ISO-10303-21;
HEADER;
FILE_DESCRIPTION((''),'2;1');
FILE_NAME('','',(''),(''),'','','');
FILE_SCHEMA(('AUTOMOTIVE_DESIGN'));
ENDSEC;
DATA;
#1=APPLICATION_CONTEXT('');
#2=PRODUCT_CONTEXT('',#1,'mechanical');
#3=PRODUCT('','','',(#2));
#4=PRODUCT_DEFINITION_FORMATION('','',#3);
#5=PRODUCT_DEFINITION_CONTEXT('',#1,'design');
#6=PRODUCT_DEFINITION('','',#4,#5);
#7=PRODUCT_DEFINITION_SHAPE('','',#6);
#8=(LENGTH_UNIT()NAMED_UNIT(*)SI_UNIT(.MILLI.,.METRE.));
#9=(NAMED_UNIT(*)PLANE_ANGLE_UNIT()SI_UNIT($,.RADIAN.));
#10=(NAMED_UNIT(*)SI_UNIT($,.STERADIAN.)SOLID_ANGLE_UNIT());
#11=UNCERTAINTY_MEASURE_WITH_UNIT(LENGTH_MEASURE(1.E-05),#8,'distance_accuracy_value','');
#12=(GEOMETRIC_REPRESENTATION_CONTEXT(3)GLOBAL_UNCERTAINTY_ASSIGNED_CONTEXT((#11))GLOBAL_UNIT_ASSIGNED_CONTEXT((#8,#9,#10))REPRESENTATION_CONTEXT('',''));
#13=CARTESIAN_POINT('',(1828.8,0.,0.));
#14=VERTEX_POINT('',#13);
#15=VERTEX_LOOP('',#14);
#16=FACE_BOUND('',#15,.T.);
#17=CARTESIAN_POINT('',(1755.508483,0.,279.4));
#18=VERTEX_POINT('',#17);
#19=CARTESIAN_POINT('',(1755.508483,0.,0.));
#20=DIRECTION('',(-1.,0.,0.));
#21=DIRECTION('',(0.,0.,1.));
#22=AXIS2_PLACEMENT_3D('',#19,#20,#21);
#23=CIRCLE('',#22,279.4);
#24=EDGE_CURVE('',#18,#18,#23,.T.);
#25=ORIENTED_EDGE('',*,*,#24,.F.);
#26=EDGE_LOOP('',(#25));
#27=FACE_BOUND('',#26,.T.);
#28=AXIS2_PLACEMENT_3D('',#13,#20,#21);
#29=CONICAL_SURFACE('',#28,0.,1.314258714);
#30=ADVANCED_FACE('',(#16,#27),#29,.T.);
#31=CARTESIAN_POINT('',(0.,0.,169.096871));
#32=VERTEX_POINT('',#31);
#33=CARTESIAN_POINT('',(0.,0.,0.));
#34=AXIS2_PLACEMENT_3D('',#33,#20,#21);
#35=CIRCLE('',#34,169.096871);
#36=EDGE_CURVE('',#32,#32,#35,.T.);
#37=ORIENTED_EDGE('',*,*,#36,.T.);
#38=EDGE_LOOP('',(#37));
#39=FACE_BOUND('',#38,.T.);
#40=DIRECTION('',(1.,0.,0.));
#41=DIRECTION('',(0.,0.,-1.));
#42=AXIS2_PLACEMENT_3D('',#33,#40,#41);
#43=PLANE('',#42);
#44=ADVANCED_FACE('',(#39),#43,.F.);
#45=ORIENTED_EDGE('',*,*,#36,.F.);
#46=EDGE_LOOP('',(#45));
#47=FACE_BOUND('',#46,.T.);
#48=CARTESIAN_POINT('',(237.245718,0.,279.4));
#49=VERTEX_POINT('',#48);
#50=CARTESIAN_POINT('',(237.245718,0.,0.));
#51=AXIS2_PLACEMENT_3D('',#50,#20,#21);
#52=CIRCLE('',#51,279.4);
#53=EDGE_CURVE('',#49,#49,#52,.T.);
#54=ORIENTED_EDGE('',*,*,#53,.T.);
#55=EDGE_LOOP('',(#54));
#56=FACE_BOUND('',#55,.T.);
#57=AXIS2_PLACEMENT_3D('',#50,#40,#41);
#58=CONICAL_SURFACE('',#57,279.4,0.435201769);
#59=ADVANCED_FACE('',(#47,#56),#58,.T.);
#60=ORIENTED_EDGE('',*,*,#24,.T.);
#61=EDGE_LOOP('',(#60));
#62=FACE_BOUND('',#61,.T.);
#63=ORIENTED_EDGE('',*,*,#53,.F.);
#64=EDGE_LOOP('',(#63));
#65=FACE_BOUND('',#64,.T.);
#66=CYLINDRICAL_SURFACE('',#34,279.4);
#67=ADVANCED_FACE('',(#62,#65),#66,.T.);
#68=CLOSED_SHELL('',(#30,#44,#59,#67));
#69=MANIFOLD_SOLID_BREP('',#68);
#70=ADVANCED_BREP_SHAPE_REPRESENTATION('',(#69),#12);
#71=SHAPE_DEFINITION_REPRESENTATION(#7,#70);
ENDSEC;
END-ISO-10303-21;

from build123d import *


with BuildPart() as part:
    # Sketch1 → Revolve1 (revolve)
    with BuildSketch(Plane.XY):
        Polygon((0, 0), (0, 169.096871333), (237.245718475, 279.4), (1755.508482821, 279.4), (1828.8, 0), align=None)
    revolve(axis=Axis((0, 0, 0), (1, 0, 0)))


solid = part.part
